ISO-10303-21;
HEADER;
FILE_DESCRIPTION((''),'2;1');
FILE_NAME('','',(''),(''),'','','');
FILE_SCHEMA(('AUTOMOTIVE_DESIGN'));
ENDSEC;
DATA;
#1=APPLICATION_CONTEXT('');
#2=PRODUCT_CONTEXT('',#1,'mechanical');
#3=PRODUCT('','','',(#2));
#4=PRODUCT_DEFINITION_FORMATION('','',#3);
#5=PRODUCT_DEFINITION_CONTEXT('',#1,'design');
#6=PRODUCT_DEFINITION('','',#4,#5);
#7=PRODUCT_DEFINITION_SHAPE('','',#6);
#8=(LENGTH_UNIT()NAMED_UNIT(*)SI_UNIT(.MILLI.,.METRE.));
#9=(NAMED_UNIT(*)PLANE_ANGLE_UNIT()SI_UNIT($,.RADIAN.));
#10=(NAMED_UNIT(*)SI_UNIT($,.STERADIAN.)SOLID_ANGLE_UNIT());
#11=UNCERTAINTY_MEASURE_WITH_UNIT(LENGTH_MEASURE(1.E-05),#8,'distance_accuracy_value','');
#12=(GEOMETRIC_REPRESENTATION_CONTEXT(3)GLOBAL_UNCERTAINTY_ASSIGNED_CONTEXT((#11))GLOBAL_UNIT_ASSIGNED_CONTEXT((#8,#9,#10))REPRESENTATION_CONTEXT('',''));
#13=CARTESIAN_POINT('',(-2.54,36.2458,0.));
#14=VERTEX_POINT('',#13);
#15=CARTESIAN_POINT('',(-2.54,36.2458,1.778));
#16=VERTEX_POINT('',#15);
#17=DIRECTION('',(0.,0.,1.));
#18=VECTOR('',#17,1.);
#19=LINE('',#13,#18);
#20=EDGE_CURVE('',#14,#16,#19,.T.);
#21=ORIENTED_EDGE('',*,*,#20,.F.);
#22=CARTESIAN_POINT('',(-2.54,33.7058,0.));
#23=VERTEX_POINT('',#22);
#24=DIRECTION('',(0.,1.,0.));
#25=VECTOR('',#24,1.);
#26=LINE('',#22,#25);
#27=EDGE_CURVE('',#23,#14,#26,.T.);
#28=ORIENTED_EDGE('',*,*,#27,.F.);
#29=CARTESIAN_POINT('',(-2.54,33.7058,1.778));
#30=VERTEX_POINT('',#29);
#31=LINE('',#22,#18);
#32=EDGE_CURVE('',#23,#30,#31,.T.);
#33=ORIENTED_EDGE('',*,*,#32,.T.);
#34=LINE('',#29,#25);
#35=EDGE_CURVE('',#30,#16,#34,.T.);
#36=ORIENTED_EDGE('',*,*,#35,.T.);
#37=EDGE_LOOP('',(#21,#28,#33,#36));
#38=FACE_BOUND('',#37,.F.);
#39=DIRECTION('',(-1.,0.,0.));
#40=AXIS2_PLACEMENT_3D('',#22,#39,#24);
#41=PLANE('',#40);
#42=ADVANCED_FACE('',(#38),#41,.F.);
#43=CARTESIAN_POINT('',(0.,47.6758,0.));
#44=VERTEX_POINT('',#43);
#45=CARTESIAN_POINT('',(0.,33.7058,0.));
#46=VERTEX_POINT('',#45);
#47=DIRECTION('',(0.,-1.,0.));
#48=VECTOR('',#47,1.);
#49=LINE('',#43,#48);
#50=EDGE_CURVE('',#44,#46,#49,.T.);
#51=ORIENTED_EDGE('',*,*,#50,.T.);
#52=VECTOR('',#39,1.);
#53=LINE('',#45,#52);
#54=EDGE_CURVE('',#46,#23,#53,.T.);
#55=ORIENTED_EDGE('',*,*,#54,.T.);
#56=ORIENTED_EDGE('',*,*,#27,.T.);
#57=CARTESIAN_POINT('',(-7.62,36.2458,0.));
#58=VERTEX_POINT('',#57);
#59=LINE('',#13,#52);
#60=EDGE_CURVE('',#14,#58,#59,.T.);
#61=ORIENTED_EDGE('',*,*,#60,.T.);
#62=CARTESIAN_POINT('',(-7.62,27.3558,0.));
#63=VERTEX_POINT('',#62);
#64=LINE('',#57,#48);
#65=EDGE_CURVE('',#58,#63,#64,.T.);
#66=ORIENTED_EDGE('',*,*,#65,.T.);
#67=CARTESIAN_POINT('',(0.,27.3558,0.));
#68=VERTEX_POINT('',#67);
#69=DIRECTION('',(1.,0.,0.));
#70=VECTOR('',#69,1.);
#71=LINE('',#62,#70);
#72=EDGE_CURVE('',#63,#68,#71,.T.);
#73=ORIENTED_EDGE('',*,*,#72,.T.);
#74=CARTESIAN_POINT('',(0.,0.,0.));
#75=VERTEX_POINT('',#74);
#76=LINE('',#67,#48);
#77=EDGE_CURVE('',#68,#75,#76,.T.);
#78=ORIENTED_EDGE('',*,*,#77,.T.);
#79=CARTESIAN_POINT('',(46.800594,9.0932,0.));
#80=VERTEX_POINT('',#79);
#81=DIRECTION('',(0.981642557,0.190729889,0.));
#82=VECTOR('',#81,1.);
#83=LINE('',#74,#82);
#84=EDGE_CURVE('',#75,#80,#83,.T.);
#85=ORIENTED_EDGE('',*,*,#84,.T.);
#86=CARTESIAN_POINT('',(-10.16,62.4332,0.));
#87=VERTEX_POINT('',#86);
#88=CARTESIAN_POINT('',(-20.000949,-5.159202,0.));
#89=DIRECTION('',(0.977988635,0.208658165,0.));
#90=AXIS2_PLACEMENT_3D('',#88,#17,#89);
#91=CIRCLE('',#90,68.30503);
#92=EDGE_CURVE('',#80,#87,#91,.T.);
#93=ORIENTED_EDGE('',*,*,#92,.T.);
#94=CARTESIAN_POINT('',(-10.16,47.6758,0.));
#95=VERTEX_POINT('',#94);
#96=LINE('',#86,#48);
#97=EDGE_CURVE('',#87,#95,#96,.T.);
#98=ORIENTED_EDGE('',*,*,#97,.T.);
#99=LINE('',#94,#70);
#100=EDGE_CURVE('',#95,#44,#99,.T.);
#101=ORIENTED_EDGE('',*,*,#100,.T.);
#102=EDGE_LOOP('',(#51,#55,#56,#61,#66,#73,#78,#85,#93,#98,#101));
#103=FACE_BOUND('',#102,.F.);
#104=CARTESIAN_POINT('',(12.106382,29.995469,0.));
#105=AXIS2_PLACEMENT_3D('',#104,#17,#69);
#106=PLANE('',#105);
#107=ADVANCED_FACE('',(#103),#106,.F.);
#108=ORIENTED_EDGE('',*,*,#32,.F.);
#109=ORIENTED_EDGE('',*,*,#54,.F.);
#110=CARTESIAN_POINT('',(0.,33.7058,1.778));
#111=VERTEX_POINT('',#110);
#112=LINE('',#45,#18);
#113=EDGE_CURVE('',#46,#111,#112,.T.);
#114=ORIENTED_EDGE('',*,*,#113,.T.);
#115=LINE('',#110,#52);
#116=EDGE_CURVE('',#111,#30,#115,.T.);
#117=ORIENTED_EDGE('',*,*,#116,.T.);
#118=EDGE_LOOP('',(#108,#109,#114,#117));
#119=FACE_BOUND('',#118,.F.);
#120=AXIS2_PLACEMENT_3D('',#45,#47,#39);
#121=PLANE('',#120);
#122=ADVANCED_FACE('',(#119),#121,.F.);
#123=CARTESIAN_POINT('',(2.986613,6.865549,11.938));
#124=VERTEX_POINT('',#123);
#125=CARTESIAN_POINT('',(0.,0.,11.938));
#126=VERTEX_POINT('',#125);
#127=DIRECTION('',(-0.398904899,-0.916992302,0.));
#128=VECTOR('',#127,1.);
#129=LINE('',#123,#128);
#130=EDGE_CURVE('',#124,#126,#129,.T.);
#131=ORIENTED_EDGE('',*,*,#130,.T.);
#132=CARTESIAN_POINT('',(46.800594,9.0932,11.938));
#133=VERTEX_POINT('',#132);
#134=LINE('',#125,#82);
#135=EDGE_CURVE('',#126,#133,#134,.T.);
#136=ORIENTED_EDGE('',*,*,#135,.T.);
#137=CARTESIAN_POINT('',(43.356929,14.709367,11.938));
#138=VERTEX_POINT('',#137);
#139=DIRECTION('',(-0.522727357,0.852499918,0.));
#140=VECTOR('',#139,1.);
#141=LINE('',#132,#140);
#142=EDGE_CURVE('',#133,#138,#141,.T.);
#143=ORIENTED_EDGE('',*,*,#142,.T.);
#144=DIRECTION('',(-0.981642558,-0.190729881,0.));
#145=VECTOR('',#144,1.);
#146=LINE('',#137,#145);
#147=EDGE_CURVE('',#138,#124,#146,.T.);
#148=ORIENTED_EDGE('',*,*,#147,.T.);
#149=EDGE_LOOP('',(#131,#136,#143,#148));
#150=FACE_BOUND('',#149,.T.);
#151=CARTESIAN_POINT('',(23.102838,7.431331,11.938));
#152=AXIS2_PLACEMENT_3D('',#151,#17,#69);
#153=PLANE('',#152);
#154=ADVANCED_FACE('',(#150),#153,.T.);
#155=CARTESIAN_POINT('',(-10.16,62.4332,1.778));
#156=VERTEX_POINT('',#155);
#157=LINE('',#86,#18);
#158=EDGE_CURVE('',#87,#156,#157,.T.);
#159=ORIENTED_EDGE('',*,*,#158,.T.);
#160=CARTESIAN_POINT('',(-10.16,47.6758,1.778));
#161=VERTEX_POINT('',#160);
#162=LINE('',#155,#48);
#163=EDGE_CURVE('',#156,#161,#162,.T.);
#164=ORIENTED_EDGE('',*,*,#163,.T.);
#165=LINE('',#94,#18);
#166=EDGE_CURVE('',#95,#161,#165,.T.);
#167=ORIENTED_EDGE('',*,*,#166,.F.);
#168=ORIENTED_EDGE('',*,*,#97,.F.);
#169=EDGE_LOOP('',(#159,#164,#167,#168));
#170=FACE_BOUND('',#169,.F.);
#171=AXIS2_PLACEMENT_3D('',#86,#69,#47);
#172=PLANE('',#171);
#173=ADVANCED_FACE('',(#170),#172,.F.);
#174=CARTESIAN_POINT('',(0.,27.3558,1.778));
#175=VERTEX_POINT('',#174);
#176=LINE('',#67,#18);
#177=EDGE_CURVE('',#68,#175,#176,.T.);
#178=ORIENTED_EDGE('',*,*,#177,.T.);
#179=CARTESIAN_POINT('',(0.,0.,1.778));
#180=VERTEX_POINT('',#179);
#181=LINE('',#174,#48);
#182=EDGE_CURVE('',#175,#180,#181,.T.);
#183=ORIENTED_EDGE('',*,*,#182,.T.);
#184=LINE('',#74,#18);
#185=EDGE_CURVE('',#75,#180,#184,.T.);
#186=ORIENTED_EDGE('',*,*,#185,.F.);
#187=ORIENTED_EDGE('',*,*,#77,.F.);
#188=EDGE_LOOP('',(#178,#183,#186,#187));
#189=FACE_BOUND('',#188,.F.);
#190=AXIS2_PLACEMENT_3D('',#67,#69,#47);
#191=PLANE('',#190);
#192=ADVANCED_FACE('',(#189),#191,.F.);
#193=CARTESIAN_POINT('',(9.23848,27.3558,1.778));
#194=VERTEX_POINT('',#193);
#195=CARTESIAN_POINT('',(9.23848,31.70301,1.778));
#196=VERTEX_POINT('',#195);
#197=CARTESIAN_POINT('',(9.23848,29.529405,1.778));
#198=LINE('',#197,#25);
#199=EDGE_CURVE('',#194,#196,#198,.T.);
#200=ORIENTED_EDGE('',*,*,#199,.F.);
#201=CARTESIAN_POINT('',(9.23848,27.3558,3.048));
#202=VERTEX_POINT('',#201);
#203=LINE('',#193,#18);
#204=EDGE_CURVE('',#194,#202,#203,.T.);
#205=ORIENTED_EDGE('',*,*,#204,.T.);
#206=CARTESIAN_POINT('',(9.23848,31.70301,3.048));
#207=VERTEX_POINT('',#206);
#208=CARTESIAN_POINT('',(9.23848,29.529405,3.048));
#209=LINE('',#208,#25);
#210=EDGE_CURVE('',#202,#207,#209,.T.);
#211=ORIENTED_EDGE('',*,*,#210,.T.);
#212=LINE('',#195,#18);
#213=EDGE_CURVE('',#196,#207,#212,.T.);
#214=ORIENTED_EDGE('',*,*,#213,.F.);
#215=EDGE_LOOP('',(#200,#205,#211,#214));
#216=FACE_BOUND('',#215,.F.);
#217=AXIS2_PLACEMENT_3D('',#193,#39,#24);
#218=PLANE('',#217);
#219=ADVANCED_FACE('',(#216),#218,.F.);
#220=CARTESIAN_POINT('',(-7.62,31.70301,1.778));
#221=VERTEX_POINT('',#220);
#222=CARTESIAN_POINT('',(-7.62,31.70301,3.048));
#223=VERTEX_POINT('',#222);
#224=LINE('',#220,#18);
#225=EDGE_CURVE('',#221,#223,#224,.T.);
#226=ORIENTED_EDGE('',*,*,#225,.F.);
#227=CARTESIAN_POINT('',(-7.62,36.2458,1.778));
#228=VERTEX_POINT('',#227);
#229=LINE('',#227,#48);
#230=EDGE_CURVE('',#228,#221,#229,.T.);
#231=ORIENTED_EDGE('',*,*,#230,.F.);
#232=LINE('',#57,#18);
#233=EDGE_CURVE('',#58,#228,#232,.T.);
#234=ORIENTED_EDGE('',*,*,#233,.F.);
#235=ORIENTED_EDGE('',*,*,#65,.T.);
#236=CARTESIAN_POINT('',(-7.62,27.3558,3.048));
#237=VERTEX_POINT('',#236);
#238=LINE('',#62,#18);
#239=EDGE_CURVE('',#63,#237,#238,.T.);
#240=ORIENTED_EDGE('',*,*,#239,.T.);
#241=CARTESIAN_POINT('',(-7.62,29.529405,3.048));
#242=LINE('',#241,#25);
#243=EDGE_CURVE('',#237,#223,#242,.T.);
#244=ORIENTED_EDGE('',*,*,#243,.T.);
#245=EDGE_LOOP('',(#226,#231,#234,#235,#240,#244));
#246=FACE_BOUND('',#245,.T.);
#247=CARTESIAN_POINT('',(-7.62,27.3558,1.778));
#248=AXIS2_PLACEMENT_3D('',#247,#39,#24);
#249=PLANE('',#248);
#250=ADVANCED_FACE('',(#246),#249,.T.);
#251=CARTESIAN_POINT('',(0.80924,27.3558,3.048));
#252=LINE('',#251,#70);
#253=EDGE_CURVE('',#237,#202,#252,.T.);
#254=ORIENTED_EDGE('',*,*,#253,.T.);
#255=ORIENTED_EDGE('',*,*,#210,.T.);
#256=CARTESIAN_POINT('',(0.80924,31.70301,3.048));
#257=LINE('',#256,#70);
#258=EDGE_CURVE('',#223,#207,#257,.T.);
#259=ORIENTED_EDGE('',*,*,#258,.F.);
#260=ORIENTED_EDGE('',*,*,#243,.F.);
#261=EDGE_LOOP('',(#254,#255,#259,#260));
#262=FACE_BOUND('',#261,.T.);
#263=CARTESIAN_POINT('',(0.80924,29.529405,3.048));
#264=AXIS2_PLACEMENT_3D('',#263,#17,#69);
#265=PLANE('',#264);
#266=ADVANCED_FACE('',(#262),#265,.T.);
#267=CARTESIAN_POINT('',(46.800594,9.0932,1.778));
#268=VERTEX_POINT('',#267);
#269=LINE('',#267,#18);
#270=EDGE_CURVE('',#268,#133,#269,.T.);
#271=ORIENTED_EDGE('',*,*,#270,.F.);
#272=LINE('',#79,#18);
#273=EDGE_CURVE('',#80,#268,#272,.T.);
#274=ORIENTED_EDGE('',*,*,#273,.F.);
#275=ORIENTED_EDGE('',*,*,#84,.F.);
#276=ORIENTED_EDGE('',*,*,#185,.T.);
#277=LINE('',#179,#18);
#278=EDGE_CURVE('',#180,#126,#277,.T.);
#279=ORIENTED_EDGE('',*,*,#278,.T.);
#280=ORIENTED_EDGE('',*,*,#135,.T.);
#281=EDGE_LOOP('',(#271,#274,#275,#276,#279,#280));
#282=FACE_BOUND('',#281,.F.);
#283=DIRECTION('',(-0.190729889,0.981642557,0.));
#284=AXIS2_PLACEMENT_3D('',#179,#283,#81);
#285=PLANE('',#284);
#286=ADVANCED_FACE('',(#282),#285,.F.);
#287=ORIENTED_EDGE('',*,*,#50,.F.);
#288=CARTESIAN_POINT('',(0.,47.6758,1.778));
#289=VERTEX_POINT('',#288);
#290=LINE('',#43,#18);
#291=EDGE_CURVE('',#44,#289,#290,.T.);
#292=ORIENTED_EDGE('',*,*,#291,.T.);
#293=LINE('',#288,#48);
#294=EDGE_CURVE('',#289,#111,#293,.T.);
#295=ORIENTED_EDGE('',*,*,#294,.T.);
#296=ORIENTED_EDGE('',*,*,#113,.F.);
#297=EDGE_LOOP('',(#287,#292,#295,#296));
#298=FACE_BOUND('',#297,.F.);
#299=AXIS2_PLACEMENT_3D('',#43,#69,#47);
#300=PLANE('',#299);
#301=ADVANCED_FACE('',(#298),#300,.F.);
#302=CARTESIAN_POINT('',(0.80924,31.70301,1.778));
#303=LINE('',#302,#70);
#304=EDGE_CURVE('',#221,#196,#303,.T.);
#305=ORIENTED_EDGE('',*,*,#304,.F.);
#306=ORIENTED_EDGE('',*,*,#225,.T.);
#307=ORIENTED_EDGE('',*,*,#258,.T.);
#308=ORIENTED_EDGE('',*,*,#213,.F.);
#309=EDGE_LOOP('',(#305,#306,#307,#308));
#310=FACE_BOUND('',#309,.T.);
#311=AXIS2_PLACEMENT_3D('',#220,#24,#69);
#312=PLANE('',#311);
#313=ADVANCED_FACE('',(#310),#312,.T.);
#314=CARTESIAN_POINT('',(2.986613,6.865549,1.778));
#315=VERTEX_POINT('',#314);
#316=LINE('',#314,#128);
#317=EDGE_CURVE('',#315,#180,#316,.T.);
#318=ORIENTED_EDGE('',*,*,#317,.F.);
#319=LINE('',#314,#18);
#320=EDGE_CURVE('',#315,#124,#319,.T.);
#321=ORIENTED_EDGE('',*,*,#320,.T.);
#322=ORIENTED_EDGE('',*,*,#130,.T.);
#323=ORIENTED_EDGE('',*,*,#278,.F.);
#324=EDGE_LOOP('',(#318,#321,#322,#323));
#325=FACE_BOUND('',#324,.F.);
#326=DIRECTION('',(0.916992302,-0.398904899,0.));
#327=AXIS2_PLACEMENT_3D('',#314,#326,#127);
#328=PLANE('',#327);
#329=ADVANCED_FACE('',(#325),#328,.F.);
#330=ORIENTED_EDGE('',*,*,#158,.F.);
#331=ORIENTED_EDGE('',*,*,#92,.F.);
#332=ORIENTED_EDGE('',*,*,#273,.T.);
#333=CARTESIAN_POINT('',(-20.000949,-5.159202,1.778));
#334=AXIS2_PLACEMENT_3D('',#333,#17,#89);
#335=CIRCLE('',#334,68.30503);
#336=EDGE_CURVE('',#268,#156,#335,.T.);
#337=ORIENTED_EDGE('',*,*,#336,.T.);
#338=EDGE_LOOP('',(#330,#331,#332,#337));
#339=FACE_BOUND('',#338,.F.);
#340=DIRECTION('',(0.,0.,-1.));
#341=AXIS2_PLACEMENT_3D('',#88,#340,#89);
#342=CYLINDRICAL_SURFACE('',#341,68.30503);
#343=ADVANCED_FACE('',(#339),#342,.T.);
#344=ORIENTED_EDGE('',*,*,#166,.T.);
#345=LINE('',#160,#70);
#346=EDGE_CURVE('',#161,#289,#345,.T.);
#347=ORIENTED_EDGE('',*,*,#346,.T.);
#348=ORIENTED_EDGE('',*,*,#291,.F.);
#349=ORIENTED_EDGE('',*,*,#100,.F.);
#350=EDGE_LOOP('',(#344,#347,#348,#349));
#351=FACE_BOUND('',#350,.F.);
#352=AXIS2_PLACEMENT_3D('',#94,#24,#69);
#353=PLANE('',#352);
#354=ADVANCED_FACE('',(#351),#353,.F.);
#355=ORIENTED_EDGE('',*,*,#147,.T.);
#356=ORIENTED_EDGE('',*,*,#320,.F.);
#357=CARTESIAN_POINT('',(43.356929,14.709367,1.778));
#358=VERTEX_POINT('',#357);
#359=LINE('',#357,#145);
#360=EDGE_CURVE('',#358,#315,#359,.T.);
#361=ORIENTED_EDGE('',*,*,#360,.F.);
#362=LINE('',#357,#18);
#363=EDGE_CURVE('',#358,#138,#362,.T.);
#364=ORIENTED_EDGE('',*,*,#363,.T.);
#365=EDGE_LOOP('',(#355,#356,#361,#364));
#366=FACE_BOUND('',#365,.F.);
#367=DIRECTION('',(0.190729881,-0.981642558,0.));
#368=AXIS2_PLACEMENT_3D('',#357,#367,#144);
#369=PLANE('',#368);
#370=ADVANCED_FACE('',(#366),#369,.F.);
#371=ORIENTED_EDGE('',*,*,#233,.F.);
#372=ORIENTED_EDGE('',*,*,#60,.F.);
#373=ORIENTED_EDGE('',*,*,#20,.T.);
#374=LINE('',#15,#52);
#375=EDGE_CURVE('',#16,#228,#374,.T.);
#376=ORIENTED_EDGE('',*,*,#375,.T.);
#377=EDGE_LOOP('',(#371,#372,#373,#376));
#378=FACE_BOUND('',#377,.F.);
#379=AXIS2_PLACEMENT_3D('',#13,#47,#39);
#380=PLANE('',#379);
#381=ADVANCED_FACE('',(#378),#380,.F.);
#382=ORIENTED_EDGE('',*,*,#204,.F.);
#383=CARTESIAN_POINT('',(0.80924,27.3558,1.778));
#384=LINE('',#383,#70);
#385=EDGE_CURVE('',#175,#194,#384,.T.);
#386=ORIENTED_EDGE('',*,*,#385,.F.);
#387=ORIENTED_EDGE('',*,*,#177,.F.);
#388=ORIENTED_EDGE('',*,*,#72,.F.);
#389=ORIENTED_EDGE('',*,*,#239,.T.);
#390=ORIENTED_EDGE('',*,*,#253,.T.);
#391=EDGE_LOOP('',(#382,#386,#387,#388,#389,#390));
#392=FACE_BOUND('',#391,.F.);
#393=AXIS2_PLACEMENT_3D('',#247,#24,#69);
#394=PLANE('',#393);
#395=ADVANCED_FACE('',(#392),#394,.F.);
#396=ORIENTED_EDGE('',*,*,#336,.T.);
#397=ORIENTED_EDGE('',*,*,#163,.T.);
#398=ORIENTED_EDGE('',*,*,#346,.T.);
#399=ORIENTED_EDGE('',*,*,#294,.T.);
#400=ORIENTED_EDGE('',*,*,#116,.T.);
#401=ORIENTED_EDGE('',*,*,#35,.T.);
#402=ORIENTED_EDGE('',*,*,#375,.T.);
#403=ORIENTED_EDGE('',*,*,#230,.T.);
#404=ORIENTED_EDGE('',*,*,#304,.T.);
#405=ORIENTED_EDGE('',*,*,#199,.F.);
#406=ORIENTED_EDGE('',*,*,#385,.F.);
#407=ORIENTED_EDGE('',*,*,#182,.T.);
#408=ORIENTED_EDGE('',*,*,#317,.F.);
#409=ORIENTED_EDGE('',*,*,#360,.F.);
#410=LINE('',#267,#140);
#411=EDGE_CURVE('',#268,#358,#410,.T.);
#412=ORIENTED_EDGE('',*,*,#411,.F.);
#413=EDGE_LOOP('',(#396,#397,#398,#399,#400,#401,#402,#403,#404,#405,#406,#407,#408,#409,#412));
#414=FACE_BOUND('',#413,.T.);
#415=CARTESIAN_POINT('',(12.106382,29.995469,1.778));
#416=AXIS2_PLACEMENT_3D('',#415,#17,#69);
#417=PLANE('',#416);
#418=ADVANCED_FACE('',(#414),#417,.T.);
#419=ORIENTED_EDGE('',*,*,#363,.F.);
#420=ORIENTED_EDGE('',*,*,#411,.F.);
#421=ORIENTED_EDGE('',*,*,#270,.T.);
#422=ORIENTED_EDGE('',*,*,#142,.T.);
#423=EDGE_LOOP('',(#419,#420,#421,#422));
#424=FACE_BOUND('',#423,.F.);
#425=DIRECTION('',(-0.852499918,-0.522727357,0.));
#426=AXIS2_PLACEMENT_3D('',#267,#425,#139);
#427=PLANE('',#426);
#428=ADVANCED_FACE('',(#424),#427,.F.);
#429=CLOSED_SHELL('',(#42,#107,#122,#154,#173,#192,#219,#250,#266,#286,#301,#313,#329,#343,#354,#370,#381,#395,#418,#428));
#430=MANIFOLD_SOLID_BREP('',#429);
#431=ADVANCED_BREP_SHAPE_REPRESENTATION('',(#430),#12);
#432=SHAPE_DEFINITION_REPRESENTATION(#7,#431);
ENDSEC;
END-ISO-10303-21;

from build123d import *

# Parameters (mm, degrees)
F1_DEPTH = 1.778
F3_DEPTH = 10.16
F4_W     = 16.85848
F4_H     = 4.34721
F5_DEPTH = 1.27


with BuildPart() as f1:
    # F0 (on Top) → F1 (new body)
    with BuildSketch(Plane.XY):
        with BuildLine():
            Line((0, 27.3558), (0, 0))
            Line((0, 0), (46.800594, 9.0932))
            ThreePointArc((46.800594, 9.0932), (26.687452, 44.698298), (-10.16, 62.4332))
            Line((-10.16, 62.4332), (-10.16, 47.6758))
            Line((-10.16, 47.6758), (0, 47.6758))
            Line((0, 47.6758), (0, 33.7058))
            Line((0, 33.7058), (-2.54, 33.7058))
            Line((-2.54, 33.7058), (-2.54, 36.2458))
            Line((-2.54, 36.2458), (-7.62, 36.2458))
            Line((-7.62, 36.2458), (-7.62, 27.3558))
            Line((-7.62, 27.3558), (0, 27.3558))
        make_face()
    extrude(amount=F1_DEPTH)

    # F2 (on face) → F3 (join)
    with BuildSketch(Plane.XY.offset(1.778)):
        Polygon((2.986613, 6.865549), (0, 0), (46.800594, 9.0932), (43.356929, 14.709367), align=None)
    extrude(amount=F3_DEPTH)

    # F4 (on face) → F5 (join)
    with BuildSketch(Plane.XY.offset(1.778)):
        with Locations((0.80924, 29.529405)):
            Rectangle(F4_W, F4_H)
    extrude(amount=F5_DEPTH)


solid = f1.part
